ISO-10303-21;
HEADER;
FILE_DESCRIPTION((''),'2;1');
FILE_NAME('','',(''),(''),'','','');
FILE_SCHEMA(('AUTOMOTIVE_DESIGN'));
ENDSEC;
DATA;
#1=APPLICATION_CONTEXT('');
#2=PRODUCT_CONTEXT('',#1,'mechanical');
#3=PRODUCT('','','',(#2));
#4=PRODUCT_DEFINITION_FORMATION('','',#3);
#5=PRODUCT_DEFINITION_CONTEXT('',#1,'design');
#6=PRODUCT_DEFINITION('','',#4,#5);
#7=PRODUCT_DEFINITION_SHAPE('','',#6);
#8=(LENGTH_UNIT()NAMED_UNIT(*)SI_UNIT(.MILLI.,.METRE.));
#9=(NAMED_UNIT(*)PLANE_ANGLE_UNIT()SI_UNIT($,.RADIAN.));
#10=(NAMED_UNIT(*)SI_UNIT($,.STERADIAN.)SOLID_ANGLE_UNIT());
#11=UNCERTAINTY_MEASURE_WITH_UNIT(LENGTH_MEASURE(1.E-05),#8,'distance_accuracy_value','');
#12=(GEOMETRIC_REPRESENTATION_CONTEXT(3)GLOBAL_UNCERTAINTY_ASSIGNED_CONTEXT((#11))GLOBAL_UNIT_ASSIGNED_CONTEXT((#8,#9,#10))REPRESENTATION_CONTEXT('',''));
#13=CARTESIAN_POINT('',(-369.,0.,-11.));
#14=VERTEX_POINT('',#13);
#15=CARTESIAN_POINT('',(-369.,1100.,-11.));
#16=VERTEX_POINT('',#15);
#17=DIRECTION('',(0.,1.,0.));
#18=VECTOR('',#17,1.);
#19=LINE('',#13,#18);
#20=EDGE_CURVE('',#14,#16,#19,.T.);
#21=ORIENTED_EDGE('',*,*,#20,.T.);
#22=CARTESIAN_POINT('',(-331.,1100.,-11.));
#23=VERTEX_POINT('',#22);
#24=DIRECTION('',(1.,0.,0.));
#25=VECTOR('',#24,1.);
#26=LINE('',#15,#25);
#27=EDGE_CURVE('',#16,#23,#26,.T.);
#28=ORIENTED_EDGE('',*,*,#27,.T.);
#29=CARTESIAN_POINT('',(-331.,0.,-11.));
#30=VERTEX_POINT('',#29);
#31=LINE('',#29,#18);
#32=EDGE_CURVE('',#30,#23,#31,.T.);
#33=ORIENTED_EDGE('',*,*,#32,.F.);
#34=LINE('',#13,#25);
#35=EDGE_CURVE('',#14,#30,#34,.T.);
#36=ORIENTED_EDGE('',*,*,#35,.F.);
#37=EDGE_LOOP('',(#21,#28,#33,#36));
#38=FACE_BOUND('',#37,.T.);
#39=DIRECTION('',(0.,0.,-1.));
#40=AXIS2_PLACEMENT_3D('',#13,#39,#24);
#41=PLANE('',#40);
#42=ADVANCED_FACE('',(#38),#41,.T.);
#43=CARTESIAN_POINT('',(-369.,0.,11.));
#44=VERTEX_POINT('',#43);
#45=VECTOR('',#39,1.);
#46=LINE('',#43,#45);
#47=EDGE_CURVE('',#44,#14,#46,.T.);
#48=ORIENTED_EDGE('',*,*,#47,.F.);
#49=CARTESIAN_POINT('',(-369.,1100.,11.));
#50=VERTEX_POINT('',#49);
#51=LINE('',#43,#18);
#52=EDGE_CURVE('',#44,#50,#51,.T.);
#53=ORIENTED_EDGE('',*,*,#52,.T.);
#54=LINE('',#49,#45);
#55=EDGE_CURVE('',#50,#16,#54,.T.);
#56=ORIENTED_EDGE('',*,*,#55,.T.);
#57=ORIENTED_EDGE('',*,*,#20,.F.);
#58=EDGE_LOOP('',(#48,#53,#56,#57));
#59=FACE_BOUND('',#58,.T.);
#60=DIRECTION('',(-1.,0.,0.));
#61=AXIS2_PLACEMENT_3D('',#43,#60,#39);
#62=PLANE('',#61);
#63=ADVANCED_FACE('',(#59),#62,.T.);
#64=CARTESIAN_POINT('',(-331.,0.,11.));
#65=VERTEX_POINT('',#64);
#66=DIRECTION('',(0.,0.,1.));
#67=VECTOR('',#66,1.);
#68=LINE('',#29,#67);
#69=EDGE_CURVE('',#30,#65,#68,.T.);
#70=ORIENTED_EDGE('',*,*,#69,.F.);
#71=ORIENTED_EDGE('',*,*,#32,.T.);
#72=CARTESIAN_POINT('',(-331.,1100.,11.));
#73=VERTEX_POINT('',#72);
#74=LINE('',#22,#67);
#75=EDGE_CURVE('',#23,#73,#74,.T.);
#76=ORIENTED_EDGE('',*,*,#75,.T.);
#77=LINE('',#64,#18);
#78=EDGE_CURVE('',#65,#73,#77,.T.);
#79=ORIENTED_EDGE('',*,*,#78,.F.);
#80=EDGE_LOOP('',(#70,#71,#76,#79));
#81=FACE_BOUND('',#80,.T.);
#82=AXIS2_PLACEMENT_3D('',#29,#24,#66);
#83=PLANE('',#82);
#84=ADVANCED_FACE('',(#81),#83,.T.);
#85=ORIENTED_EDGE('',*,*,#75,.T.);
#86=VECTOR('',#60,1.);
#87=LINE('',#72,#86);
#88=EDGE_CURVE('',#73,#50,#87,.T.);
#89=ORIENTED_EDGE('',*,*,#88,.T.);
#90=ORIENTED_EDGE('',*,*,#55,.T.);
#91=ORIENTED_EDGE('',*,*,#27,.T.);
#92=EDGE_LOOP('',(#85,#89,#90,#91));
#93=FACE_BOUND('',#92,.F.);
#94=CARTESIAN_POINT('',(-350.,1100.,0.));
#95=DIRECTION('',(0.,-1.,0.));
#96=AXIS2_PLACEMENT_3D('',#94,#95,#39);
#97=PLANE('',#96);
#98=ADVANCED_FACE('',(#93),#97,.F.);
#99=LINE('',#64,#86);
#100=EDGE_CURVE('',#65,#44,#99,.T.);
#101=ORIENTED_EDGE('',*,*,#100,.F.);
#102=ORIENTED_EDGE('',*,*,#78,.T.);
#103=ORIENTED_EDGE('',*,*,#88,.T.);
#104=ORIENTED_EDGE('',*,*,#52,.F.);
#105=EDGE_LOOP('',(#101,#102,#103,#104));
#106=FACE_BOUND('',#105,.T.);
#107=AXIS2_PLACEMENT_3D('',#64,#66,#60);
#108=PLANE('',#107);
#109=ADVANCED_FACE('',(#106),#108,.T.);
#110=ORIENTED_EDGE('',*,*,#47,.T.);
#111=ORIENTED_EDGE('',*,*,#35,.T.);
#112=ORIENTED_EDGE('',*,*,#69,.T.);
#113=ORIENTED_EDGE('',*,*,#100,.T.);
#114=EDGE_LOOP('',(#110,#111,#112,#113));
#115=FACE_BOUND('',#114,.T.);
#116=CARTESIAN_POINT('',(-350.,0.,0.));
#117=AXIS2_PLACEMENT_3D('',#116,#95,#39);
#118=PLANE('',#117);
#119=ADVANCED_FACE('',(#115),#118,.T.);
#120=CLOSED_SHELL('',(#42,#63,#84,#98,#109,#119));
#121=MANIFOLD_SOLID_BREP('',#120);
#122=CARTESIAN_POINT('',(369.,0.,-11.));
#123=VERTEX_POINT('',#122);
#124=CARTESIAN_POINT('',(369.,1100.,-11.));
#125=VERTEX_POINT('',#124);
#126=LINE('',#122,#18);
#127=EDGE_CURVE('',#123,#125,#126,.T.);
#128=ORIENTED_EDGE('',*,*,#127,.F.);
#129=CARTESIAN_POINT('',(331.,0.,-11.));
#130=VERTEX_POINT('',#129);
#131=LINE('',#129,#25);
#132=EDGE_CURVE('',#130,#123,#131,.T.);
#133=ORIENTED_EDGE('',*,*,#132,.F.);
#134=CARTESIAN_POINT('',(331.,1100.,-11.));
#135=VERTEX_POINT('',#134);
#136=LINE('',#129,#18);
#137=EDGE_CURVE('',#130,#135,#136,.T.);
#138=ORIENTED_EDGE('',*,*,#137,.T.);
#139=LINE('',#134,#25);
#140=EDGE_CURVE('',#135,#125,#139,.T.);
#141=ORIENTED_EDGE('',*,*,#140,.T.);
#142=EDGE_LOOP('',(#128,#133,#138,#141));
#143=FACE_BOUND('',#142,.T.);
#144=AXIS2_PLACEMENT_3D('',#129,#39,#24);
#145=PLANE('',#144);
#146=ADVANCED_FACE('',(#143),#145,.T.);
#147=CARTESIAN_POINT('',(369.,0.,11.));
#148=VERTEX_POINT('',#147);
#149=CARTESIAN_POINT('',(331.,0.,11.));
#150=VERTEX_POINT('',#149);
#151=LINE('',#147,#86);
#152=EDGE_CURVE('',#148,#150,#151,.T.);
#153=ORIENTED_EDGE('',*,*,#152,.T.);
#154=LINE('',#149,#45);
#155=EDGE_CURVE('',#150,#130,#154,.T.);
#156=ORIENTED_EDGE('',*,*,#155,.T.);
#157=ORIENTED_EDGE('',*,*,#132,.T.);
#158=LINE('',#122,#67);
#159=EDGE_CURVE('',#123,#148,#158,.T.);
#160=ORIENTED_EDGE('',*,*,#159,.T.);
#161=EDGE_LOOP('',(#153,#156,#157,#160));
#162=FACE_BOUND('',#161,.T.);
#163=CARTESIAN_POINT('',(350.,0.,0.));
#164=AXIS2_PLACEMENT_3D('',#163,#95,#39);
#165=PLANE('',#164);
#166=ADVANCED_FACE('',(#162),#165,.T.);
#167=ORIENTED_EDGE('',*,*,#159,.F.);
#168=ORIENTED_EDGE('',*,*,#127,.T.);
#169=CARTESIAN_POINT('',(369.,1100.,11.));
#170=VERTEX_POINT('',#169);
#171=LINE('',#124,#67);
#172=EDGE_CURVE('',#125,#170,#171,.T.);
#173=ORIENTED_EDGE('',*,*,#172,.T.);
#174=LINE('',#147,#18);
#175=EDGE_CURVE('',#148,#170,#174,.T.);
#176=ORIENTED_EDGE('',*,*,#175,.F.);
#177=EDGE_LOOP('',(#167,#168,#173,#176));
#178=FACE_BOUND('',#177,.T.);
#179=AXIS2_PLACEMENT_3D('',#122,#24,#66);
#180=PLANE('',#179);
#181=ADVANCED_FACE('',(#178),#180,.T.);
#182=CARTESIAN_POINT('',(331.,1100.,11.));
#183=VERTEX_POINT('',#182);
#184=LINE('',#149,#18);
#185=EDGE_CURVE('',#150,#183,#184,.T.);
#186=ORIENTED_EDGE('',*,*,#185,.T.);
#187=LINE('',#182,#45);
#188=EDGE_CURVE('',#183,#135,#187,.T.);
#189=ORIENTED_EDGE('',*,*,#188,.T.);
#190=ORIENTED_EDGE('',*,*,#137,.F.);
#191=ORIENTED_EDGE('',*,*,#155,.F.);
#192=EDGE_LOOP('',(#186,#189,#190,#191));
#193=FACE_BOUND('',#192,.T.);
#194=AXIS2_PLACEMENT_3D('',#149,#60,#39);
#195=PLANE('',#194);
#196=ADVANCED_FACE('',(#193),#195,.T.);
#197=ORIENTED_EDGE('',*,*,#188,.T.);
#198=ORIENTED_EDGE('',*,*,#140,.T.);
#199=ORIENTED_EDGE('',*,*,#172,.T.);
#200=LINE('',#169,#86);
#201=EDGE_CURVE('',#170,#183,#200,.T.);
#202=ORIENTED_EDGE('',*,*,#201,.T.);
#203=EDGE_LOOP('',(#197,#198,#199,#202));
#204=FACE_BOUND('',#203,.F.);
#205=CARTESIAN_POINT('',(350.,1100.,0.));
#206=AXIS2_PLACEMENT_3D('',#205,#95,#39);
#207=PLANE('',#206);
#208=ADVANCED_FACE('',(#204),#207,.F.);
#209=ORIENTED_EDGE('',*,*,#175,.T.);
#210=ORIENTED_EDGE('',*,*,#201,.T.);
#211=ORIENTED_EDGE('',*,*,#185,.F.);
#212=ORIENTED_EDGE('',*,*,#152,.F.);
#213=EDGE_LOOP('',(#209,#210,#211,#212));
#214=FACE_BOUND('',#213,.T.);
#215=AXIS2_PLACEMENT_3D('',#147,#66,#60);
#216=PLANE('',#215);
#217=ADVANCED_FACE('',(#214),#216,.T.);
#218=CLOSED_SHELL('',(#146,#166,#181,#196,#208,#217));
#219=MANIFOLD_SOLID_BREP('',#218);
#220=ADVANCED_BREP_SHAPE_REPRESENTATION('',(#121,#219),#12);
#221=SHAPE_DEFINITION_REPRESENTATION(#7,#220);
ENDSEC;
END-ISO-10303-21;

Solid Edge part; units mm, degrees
sketch "Sketch1" plane through (0, 0, 0) normal (0, -1, 0) x (1, 0, 0)
  line L0 (-369, 11) -> (-369, -11)
  line L1 (-369, -11) -> (-331, -11)
  line L2 (-331, -11) -> (-331, 11)
  line L3 (-331, 11) -> (-369, 11)
  line L4 (369, -11) -> (369, 11)
  line L5 (369, 11) -> (331, 11)
  line L6 (331, 11) -> (331, -11)
  line L7 (331, -11) -> (369, -11)
extrude "Protrusion1" add sketch "Sketch1" against normal blind 1100
